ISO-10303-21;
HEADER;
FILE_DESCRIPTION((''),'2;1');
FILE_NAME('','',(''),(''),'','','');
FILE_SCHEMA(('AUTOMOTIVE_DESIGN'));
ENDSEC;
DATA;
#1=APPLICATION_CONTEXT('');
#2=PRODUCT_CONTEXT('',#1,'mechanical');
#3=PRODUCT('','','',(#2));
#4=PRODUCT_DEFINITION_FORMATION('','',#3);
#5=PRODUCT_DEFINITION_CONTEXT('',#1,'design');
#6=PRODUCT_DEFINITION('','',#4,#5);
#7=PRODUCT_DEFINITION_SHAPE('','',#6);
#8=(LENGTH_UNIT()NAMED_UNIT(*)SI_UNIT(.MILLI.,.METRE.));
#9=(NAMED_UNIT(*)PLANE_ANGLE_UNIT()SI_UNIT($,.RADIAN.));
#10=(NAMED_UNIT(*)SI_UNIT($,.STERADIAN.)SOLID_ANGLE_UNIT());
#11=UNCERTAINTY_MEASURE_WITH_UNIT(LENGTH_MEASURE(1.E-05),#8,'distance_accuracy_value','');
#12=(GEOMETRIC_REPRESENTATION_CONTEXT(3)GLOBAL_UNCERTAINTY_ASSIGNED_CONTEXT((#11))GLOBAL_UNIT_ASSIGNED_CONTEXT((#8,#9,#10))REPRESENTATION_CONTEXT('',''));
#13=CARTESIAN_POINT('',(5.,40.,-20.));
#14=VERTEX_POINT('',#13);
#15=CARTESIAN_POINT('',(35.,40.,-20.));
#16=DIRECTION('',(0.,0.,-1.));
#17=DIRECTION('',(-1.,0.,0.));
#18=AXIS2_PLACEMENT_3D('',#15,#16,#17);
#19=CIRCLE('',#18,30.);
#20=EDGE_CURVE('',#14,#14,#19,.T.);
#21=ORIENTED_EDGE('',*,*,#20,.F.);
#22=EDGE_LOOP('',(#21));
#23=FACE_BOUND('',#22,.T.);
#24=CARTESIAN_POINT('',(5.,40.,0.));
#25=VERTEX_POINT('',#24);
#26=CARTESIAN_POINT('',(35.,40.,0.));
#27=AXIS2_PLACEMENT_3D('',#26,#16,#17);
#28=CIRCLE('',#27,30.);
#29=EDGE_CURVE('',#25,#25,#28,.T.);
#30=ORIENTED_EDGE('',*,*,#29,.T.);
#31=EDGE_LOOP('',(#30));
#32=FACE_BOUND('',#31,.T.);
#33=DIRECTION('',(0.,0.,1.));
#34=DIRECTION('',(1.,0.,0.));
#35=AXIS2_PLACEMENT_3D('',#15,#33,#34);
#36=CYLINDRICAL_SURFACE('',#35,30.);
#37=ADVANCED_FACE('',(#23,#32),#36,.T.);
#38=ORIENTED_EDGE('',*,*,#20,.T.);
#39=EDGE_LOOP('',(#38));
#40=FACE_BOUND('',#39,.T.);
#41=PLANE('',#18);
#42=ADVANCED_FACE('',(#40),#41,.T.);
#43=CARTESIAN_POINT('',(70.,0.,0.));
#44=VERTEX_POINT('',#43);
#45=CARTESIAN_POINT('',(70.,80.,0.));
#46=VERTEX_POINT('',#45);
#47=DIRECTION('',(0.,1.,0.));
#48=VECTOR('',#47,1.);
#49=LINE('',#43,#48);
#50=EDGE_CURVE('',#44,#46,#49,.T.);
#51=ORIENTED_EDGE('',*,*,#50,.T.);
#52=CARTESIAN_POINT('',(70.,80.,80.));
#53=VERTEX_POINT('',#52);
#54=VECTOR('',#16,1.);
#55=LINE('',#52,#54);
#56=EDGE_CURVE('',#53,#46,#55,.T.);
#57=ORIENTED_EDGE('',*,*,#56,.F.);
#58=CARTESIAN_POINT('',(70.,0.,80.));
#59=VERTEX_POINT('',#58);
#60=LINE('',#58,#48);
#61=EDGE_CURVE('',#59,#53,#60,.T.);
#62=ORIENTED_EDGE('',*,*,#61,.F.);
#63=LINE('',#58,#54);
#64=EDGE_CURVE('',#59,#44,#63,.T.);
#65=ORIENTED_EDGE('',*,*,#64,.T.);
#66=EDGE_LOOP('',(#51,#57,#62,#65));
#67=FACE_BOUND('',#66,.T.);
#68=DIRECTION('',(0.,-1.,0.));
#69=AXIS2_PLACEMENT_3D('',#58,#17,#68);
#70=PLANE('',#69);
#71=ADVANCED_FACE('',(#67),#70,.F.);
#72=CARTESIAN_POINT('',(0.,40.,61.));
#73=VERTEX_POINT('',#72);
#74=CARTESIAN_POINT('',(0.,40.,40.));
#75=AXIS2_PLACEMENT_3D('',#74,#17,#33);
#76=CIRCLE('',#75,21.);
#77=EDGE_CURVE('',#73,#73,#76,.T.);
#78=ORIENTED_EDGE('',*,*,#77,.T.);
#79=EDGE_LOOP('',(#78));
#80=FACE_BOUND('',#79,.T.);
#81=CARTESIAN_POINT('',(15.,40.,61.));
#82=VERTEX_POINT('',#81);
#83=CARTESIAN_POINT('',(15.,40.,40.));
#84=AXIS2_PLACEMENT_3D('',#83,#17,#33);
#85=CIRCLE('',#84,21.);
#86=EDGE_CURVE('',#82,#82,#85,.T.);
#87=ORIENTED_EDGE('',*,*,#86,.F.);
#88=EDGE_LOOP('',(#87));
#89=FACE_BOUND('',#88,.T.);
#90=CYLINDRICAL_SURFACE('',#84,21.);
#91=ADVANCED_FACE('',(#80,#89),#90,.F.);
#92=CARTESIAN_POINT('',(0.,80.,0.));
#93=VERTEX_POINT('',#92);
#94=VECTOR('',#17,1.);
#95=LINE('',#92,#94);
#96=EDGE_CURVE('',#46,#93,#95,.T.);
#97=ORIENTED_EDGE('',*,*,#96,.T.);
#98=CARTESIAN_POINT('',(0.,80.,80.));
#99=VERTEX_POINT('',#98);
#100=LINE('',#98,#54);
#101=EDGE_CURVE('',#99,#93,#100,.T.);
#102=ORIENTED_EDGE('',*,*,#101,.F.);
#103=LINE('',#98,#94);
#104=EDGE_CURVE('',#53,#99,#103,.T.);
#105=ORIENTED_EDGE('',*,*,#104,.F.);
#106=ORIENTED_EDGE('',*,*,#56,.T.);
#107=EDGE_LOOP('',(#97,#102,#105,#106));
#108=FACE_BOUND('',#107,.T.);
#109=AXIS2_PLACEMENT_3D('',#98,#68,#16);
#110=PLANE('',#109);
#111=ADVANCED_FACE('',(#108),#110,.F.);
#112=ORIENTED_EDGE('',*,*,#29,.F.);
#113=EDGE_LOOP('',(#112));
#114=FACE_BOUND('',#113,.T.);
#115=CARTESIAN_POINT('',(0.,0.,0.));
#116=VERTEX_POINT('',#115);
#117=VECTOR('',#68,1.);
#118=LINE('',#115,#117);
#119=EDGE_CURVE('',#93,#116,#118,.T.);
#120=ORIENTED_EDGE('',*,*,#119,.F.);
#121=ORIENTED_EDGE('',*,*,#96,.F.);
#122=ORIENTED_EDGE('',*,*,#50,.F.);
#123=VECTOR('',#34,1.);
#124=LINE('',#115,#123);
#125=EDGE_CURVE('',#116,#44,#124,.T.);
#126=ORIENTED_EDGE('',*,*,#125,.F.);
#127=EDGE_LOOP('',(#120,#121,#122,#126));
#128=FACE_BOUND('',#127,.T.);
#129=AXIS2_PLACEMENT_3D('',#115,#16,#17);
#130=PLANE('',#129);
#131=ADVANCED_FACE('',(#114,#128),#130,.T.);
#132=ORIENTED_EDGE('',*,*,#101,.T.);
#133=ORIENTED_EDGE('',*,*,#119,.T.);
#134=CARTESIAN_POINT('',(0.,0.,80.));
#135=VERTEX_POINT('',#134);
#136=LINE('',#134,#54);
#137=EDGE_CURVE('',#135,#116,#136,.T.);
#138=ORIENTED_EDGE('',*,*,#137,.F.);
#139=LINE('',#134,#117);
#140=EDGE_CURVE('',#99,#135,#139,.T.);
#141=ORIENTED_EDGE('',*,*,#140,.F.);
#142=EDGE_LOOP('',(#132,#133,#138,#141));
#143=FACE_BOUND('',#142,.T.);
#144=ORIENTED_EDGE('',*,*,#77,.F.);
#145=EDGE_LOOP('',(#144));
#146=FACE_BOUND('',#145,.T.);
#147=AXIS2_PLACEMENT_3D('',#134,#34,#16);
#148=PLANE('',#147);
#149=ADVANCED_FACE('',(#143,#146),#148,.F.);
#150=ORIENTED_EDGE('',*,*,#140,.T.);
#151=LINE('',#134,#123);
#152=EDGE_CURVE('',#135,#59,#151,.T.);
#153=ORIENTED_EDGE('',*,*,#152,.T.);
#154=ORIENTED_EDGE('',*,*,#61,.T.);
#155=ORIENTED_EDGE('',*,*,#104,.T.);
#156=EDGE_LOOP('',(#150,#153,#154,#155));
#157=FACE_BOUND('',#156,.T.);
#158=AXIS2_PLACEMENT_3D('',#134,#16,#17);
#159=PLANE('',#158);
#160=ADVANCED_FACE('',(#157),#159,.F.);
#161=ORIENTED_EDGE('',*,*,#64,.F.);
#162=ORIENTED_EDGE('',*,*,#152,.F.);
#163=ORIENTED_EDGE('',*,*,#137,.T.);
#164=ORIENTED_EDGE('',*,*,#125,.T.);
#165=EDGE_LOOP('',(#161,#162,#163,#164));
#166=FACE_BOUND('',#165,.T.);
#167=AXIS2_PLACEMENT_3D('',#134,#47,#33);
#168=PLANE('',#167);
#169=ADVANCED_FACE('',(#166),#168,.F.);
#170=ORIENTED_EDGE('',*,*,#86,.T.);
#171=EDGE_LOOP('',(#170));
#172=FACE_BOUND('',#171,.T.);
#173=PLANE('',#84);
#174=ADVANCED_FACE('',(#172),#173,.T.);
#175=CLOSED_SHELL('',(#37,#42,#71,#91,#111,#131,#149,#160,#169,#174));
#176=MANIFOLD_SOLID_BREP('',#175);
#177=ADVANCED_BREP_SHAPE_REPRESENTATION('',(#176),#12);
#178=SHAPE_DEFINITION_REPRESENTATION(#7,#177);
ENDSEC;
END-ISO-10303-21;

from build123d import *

# Parameters (mm, degrees)
CROQUIS1_W              = 70
CROQUIS1_H              = 80
SALIENTE_EXTRUIR1_DEPTH = 80
CROQUIS2_R              = 30
SALIENTE_EXTRUIR2_DEPTH = 20
CROQUIS3_R              = 21
CORTAR_EXTRUIR1_DEPTH   = 15


with BuildPart() as part:
    # Croquis1 → Saliente-Extruir1 (new body)
    with BuildSketch(Plane.XY):
        with Locations((35, 40)):
            Rectangle(CROQUIS1_W, CROQUIS1_H)
    extrude(amount=SALIENTE_EXTRUIR1_DEPTH)

    # Croquis2 → Saliente-Extruir2 (add)
    with BuildSketch(Plane(origin=(0, 0, 0), x_dir=(-1, 0, 0), z_dir=(0, 0, -1))):
        with Locations((-35, 40)):
            Circle(CROQUIS2_R)
    extrude(amount=SALIENTE_EXTRUIR2_DEPTH)

    # Croquis3 → Cortar-Extruir1 (cut)
    with BuildSketch(Plane.ZY):
        with Locations((40, 40)):
            Circle(CROQUIS3_R)
    extrude(amount=-CORTAR_EXTRUIR1_DEPTH, mode=Mode.SUBTRACT)


solid = part.part
